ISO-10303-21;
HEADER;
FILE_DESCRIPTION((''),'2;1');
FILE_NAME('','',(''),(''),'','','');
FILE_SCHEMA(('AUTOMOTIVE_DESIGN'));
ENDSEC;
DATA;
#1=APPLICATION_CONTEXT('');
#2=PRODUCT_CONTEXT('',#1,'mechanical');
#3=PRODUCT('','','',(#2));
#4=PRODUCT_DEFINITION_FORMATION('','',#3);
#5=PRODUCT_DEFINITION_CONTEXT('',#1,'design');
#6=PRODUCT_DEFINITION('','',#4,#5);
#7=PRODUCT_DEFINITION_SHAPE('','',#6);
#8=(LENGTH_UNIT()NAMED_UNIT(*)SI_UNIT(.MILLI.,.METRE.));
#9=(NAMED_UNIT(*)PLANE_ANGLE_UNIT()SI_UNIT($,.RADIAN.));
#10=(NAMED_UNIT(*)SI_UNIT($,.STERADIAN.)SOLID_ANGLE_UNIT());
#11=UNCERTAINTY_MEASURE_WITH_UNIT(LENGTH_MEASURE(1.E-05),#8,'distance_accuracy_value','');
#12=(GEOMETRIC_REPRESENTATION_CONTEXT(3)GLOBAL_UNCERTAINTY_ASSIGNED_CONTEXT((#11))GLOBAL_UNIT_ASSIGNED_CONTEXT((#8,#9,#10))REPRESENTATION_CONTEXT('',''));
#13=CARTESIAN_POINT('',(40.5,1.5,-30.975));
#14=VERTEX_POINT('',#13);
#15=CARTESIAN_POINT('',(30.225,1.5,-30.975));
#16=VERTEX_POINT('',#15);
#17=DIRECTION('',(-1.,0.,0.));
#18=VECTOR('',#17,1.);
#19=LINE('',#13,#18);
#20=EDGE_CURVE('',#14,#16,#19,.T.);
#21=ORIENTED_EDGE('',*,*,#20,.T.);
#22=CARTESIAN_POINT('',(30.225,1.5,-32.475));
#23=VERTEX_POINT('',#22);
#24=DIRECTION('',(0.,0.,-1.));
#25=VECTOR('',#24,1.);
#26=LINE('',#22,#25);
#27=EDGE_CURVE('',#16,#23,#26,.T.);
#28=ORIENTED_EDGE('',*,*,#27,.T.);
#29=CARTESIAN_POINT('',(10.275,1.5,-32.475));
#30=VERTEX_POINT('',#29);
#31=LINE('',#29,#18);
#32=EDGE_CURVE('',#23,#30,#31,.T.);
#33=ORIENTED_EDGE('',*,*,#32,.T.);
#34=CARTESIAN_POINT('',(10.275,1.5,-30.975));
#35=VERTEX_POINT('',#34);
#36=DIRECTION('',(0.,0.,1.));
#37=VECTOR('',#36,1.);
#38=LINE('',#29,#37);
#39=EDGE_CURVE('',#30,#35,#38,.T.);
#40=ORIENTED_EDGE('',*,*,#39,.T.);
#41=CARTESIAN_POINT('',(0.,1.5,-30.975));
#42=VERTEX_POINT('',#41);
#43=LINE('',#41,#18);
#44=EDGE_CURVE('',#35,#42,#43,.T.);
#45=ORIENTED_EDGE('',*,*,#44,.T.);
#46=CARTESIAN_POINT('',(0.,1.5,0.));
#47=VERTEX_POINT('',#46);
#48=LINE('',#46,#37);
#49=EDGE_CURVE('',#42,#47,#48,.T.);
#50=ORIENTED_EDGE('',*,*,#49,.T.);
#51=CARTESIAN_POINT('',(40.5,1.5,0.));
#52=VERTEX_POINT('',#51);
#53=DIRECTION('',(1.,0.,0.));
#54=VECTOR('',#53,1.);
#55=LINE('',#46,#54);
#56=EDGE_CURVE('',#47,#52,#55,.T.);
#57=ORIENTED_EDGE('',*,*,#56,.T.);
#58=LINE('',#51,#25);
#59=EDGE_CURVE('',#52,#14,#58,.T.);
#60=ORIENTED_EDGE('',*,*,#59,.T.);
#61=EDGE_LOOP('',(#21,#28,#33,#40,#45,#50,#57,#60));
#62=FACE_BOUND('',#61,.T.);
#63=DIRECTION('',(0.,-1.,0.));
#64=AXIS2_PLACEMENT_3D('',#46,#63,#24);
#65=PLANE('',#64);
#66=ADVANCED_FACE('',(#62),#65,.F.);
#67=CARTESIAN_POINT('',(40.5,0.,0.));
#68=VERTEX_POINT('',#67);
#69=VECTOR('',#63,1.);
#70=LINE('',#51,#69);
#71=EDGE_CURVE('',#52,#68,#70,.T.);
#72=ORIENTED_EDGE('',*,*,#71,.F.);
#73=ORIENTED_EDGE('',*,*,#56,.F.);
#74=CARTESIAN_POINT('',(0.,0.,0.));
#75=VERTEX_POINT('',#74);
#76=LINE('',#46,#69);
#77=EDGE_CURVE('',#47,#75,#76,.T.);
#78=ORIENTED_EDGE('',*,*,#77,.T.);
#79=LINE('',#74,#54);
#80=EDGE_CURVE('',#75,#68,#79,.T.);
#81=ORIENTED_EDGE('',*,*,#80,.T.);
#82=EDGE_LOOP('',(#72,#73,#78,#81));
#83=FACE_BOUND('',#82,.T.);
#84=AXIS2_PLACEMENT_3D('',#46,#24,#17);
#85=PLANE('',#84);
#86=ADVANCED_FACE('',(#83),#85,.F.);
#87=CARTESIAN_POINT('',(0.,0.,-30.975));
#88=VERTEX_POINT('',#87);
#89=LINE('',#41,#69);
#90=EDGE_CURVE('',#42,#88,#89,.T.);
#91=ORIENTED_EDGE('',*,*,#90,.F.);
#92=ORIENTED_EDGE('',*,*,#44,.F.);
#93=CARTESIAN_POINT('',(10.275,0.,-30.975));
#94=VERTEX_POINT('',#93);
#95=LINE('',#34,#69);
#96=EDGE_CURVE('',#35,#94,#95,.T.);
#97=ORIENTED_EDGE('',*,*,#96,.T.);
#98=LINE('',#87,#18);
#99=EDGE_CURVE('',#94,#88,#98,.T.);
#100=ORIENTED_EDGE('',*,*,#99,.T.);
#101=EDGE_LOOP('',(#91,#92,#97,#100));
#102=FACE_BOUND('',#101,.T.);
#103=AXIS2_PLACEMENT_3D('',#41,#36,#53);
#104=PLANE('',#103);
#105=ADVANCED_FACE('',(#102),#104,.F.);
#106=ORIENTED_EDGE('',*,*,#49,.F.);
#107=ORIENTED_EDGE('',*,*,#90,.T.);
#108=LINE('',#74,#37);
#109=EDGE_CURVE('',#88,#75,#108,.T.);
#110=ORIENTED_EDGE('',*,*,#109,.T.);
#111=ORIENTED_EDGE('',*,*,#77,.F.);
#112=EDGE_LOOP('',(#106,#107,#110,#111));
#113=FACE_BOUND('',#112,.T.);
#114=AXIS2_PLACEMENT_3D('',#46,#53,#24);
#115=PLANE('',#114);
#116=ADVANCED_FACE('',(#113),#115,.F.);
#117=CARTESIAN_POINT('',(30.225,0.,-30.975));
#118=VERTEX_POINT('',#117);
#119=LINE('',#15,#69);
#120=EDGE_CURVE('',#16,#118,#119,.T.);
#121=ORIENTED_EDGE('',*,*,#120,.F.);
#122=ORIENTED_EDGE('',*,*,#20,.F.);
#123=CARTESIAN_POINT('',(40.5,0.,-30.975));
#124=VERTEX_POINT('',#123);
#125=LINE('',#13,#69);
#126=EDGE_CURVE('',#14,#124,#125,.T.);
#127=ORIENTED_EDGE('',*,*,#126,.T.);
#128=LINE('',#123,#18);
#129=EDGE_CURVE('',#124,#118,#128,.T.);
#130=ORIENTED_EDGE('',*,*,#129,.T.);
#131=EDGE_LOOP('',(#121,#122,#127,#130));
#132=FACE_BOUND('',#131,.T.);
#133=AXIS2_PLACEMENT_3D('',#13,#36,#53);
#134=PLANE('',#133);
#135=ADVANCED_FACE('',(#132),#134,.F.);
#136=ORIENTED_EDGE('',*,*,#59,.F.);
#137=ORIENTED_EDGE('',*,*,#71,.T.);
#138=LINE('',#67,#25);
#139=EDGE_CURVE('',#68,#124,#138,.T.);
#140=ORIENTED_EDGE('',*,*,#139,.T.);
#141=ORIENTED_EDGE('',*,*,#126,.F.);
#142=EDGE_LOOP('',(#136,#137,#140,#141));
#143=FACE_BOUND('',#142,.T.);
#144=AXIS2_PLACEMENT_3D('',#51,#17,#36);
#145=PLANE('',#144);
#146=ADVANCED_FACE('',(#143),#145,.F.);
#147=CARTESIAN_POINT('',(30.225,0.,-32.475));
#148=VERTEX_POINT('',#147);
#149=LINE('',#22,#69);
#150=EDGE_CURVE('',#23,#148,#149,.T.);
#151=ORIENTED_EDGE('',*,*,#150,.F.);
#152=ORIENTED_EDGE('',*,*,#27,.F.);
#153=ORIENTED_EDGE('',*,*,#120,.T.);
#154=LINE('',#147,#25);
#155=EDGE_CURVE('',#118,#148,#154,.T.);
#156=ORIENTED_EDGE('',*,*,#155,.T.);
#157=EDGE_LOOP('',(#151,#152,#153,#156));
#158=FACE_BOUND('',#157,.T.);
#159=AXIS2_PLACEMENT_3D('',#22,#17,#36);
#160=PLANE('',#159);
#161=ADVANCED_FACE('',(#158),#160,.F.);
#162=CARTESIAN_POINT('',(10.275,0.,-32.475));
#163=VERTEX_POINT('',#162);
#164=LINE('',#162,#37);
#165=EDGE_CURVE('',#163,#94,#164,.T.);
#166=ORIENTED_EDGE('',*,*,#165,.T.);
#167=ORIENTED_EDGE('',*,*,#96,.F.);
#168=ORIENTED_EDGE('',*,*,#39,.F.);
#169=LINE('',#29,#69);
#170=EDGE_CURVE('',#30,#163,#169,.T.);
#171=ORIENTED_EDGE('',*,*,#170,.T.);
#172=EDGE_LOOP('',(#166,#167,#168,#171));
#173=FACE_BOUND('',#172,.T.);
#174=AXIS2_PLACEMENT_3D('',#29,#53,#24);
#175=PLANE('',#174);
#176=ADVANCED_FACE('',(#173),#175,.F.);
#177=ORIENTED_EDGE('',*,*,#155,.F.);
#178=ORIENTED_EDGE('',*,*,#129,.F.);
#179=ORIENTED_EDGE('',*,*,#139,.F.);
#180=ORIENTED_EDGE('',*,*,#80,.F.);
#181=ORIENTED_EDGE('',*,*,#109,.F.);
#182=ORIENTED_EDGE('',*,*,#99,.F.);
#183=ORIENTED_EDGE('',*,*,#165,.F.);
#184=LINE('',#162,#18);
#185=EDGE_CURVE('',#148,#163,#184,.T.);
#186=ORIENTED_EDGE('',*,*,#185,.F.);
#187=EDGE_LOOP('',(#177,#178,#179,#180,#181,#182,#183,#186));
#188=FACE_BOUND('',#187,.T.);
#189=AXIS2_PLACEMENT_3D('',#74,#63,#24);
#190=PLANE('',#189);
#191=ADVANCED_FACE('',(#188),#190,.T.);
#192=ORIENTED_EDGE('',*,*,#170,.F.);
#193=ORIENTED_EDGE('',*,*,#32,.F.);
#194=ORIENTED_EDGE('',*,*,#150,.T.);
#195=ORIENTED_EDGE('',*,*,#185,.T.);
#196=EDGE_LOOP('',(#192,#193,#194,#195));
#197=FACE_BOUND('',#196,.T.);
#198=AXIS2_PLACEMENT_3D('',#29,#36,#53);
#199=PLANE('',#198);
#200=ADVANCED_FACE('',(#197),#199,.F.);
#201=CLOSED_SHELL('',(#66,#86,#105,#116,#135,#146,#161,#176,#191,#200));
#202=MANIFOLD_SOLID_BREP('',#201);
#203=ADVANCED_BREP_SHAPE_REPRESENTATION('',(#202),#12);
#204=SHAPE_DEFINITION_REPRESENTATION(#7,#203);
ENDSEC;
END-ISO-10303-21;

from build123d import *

# Parameters (mm, degrees)
BOSS_EXTRUDE1_DEPTH = 1.5


with BuildPart() as part:
    # Sketch1 → Boss-Extrude1 (new body)
    with BuildSketch(Plane(origin=(0, 0, 0), x_dir=(1, 0, 0), z_dir=(0, 1, 0))):
        Polygon((0, 0), (40.5, 0), (40.5, 30.975), (30.225, 30.975), (30.225, 32.475), (10.275, 32.475), (10.275, 30.975), (0, 30.975), align=None)
    extrude(amount=BOSS_EXTRUDE1_DEPTH)


solid = part.part
